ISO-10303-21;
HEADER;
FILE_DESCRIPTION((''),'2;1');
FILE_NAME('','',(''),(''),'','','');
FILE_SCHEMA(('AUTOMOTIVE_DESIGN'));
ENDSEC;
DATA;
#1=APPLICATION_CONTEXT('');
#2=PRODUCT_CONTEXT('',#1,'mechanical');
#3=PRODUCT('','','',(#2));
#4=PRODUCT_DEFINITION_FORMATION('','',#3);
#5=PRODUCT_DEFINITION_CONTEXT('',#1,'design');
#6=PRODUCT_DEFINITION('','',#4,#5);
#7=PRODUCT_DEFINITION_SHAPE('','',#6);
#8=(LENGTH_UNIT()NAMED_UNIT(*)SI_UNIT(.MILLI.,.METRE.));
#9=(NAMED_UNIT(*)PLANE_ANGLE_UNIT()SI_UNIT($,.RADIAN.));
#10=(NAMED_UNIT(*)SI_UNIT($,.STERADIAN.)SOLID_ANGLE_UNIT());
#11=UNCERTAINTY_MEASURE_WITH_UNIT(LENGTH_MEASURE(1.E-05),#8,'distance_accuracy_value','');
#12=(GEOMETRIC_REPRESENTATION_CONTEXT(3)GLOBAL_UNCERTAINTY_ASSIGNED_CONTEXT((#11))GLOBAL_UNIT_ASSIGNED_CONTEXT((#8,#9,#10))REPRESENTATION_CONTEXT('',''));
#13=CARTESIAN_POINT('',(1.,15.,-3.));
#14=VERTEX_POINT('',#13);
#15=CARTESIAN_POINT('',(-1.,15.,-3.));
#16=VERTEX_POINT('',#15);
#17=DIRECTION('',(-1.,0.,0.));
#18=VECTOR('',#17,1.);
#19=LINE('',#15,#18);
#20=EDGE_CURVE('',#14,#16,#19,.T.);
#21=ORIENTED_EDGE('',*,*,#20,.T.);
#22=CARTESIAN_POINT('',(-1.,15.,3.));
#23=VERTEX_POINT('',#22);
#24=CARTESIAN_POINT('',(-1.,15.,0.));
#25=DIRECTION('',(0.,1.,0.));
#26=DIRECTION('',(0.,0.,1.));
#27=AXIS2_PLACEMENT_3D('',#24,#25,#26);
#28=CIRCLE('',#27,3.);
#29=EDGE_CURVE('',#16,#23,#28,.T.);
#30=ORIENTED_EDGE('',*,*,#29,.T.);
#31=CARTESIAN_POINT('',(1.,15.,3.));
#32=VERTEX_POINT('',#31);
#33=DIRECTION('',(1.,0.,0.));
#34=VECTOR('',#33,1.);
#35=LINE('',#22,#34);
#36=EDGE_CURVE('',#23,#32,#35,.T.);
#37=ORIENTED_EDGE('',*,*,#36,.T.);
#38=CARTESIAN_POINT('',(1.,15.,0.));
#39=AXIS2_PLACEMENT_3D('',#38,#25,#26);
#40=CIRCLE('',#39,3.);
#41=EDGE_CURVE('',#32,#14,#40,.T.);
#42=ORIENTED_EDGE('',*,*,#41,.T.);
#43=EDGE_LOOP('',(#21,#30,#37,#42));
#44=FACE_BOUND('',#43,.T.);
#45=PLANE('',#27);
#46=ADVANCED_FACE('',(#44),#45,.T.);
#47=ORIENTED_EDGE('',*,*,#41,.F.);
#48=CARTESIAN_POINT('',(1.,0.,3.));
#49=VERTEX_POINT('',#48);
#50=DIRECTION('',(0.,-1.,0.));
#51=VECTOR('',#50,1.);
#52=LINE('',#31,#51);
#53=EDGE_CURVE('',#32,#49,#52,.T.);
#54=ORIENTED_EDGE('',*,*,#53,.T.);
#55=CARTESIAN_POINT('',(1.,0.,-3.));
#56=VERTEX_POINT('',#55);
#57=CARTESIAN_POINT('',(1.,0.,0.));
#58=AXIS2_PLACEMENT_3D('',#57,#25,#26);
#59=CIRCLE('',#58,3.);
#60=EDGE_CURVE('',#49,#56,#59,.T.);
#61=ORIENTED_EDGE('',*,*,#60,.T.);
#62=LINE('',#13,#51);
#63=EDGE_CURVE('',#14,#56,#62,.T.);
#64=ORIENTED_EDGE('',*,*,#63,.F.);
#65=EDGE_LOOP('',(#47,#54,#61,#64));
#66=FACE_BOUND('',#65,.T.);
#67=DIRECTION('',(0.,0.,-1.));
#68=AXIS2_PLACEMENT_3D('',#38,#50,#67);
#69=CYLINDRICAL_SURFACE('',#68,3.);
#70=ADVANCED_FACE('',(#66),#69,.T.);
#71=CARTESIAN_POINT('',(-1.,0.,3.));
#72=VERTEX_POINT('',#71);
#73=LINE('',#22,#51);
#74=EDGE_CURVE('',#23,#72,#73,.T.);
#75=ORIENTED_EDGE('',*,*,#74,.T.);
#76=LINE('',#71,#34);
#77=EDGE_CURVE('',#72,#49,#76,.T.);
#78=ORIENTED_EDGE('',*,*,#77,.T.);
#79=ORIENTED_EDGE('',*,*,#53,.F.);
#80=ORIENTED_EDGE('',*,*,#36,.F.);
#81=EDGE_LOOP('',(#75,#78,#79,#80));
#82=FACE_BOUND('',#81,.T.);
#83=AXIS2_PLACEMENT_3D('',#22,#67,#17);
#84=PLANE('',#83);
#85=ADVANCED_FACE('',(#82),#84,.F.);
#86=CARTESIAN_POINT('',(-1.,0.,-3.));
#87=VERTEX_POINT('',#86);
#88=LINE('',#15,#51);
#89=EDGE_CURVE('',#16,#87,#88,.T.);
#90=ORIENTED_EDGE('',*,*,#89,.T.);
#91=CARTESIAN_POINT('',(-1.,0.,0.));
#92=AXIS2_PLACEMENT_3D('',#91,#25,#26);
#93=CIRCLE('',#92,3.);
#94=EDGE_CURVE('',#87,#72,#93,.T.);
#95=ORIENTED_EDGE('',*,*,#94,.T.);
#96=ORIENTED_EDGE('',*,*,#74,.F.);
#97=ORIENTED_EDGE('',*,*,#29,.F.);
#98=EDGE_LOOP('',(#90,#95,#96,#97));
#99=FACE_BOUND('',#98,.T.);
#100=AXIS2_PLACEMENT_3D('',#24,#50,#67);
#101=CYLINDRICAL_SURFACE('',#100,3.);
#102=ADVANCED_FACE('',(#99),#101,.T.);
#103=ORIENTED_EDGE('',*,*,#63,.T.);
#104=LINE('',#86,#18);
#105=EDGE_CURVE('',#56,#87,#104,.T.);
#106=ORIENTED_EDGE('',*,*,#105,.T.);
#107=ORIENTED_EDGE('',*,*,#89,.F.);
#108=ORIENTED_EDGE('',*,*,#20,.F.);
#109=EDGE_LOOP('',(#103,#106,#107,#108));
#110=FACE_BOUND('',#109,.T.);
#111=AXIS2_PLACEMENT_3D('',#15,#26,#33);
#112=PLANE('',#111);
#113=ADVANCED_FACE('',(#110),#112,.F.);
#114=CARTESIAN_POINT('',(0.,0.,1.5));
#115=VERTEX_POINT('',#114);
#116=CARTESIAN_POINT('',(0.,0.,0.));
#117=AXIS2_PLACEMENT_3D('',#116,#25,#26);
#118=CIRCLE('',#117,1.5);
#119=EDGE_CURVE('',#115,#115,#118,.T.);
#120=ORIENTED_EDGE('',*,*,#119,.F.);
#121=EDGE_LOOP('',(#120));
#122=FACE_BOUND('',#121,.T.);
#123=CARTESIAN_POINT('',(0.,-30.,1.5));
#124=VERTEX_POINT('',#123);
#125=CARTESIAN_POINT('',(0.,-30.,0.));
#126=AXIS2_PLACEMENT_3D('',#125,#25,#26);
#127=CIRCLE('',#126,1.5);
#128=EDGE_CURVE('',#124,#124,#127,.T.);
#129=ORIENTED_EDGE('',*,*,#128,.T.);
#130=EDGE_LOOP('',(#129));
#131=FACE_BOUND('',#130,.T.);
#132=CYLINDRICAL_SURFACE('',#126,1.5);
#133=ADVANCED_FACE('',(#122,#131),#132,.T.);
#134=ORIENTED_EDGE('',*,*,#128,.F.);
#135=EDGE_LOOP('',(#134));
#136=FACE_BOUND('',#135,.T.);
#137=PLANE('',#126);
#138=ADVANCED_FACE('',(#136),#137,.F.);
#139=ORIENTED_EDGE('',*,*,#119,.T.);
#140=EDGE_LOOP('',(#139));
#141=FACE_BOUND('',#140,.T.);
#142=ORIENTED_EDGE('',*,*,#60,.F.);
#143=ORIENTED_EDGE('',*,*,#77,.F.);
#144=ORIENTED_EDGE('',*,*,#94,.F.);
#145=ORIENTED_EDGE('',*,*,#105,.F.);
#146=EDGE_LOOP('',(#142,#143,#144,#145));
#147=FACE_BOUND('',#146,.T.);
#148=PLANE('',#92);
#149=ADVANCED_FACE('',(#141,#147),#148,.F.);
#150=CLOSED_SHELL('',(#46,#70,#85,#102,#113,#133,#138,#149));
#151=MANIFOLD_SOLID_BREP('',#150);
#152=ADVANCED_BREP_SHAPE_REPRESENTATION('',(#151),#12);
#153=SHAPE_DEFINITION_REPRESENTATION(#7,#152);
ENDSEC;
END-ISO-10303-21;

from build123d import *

# Parameters (mm, degrees)
EXTRUDE_1_DEPTH = 15
SKETCH_3_R      = 1.5
EXTRUDE_2_DEPTH = 30


with BuildPart() as part:
    # 草图2 → 凸台-拉伸1 (new body)
    with BuildSketch(Plane(origin=(0, 0, 0), x_dir=(1, 0, 0), z_dir=(0, 1, 0))):
        with BuildLine():
            Line((-1, 3), (1, 3))
            ThreePointArc((1, 3), (4, 0), (1, -3))
            Line((1, -3), (-1, -3))
            ThreePointArc((-1, -3), (-4, 0), (-1, 3))
        make_face()
    extrude(amount=EXTRUDE_1_DEPTH)

    # 草图3 → 凸台-拉伸2 (add)
    with BuildSketch(Plane(origin=(0, 0, 0), x_dir=(1, 0, 0), z_dir=(0, 1, 0))):
        with Locations(Location((0, 0, 0), (0, 0, 270))):
            Circle(SKETCH_3_R)
    extrude(amount=-EXTRUDE_2_DEPTH)


solid = part.part
